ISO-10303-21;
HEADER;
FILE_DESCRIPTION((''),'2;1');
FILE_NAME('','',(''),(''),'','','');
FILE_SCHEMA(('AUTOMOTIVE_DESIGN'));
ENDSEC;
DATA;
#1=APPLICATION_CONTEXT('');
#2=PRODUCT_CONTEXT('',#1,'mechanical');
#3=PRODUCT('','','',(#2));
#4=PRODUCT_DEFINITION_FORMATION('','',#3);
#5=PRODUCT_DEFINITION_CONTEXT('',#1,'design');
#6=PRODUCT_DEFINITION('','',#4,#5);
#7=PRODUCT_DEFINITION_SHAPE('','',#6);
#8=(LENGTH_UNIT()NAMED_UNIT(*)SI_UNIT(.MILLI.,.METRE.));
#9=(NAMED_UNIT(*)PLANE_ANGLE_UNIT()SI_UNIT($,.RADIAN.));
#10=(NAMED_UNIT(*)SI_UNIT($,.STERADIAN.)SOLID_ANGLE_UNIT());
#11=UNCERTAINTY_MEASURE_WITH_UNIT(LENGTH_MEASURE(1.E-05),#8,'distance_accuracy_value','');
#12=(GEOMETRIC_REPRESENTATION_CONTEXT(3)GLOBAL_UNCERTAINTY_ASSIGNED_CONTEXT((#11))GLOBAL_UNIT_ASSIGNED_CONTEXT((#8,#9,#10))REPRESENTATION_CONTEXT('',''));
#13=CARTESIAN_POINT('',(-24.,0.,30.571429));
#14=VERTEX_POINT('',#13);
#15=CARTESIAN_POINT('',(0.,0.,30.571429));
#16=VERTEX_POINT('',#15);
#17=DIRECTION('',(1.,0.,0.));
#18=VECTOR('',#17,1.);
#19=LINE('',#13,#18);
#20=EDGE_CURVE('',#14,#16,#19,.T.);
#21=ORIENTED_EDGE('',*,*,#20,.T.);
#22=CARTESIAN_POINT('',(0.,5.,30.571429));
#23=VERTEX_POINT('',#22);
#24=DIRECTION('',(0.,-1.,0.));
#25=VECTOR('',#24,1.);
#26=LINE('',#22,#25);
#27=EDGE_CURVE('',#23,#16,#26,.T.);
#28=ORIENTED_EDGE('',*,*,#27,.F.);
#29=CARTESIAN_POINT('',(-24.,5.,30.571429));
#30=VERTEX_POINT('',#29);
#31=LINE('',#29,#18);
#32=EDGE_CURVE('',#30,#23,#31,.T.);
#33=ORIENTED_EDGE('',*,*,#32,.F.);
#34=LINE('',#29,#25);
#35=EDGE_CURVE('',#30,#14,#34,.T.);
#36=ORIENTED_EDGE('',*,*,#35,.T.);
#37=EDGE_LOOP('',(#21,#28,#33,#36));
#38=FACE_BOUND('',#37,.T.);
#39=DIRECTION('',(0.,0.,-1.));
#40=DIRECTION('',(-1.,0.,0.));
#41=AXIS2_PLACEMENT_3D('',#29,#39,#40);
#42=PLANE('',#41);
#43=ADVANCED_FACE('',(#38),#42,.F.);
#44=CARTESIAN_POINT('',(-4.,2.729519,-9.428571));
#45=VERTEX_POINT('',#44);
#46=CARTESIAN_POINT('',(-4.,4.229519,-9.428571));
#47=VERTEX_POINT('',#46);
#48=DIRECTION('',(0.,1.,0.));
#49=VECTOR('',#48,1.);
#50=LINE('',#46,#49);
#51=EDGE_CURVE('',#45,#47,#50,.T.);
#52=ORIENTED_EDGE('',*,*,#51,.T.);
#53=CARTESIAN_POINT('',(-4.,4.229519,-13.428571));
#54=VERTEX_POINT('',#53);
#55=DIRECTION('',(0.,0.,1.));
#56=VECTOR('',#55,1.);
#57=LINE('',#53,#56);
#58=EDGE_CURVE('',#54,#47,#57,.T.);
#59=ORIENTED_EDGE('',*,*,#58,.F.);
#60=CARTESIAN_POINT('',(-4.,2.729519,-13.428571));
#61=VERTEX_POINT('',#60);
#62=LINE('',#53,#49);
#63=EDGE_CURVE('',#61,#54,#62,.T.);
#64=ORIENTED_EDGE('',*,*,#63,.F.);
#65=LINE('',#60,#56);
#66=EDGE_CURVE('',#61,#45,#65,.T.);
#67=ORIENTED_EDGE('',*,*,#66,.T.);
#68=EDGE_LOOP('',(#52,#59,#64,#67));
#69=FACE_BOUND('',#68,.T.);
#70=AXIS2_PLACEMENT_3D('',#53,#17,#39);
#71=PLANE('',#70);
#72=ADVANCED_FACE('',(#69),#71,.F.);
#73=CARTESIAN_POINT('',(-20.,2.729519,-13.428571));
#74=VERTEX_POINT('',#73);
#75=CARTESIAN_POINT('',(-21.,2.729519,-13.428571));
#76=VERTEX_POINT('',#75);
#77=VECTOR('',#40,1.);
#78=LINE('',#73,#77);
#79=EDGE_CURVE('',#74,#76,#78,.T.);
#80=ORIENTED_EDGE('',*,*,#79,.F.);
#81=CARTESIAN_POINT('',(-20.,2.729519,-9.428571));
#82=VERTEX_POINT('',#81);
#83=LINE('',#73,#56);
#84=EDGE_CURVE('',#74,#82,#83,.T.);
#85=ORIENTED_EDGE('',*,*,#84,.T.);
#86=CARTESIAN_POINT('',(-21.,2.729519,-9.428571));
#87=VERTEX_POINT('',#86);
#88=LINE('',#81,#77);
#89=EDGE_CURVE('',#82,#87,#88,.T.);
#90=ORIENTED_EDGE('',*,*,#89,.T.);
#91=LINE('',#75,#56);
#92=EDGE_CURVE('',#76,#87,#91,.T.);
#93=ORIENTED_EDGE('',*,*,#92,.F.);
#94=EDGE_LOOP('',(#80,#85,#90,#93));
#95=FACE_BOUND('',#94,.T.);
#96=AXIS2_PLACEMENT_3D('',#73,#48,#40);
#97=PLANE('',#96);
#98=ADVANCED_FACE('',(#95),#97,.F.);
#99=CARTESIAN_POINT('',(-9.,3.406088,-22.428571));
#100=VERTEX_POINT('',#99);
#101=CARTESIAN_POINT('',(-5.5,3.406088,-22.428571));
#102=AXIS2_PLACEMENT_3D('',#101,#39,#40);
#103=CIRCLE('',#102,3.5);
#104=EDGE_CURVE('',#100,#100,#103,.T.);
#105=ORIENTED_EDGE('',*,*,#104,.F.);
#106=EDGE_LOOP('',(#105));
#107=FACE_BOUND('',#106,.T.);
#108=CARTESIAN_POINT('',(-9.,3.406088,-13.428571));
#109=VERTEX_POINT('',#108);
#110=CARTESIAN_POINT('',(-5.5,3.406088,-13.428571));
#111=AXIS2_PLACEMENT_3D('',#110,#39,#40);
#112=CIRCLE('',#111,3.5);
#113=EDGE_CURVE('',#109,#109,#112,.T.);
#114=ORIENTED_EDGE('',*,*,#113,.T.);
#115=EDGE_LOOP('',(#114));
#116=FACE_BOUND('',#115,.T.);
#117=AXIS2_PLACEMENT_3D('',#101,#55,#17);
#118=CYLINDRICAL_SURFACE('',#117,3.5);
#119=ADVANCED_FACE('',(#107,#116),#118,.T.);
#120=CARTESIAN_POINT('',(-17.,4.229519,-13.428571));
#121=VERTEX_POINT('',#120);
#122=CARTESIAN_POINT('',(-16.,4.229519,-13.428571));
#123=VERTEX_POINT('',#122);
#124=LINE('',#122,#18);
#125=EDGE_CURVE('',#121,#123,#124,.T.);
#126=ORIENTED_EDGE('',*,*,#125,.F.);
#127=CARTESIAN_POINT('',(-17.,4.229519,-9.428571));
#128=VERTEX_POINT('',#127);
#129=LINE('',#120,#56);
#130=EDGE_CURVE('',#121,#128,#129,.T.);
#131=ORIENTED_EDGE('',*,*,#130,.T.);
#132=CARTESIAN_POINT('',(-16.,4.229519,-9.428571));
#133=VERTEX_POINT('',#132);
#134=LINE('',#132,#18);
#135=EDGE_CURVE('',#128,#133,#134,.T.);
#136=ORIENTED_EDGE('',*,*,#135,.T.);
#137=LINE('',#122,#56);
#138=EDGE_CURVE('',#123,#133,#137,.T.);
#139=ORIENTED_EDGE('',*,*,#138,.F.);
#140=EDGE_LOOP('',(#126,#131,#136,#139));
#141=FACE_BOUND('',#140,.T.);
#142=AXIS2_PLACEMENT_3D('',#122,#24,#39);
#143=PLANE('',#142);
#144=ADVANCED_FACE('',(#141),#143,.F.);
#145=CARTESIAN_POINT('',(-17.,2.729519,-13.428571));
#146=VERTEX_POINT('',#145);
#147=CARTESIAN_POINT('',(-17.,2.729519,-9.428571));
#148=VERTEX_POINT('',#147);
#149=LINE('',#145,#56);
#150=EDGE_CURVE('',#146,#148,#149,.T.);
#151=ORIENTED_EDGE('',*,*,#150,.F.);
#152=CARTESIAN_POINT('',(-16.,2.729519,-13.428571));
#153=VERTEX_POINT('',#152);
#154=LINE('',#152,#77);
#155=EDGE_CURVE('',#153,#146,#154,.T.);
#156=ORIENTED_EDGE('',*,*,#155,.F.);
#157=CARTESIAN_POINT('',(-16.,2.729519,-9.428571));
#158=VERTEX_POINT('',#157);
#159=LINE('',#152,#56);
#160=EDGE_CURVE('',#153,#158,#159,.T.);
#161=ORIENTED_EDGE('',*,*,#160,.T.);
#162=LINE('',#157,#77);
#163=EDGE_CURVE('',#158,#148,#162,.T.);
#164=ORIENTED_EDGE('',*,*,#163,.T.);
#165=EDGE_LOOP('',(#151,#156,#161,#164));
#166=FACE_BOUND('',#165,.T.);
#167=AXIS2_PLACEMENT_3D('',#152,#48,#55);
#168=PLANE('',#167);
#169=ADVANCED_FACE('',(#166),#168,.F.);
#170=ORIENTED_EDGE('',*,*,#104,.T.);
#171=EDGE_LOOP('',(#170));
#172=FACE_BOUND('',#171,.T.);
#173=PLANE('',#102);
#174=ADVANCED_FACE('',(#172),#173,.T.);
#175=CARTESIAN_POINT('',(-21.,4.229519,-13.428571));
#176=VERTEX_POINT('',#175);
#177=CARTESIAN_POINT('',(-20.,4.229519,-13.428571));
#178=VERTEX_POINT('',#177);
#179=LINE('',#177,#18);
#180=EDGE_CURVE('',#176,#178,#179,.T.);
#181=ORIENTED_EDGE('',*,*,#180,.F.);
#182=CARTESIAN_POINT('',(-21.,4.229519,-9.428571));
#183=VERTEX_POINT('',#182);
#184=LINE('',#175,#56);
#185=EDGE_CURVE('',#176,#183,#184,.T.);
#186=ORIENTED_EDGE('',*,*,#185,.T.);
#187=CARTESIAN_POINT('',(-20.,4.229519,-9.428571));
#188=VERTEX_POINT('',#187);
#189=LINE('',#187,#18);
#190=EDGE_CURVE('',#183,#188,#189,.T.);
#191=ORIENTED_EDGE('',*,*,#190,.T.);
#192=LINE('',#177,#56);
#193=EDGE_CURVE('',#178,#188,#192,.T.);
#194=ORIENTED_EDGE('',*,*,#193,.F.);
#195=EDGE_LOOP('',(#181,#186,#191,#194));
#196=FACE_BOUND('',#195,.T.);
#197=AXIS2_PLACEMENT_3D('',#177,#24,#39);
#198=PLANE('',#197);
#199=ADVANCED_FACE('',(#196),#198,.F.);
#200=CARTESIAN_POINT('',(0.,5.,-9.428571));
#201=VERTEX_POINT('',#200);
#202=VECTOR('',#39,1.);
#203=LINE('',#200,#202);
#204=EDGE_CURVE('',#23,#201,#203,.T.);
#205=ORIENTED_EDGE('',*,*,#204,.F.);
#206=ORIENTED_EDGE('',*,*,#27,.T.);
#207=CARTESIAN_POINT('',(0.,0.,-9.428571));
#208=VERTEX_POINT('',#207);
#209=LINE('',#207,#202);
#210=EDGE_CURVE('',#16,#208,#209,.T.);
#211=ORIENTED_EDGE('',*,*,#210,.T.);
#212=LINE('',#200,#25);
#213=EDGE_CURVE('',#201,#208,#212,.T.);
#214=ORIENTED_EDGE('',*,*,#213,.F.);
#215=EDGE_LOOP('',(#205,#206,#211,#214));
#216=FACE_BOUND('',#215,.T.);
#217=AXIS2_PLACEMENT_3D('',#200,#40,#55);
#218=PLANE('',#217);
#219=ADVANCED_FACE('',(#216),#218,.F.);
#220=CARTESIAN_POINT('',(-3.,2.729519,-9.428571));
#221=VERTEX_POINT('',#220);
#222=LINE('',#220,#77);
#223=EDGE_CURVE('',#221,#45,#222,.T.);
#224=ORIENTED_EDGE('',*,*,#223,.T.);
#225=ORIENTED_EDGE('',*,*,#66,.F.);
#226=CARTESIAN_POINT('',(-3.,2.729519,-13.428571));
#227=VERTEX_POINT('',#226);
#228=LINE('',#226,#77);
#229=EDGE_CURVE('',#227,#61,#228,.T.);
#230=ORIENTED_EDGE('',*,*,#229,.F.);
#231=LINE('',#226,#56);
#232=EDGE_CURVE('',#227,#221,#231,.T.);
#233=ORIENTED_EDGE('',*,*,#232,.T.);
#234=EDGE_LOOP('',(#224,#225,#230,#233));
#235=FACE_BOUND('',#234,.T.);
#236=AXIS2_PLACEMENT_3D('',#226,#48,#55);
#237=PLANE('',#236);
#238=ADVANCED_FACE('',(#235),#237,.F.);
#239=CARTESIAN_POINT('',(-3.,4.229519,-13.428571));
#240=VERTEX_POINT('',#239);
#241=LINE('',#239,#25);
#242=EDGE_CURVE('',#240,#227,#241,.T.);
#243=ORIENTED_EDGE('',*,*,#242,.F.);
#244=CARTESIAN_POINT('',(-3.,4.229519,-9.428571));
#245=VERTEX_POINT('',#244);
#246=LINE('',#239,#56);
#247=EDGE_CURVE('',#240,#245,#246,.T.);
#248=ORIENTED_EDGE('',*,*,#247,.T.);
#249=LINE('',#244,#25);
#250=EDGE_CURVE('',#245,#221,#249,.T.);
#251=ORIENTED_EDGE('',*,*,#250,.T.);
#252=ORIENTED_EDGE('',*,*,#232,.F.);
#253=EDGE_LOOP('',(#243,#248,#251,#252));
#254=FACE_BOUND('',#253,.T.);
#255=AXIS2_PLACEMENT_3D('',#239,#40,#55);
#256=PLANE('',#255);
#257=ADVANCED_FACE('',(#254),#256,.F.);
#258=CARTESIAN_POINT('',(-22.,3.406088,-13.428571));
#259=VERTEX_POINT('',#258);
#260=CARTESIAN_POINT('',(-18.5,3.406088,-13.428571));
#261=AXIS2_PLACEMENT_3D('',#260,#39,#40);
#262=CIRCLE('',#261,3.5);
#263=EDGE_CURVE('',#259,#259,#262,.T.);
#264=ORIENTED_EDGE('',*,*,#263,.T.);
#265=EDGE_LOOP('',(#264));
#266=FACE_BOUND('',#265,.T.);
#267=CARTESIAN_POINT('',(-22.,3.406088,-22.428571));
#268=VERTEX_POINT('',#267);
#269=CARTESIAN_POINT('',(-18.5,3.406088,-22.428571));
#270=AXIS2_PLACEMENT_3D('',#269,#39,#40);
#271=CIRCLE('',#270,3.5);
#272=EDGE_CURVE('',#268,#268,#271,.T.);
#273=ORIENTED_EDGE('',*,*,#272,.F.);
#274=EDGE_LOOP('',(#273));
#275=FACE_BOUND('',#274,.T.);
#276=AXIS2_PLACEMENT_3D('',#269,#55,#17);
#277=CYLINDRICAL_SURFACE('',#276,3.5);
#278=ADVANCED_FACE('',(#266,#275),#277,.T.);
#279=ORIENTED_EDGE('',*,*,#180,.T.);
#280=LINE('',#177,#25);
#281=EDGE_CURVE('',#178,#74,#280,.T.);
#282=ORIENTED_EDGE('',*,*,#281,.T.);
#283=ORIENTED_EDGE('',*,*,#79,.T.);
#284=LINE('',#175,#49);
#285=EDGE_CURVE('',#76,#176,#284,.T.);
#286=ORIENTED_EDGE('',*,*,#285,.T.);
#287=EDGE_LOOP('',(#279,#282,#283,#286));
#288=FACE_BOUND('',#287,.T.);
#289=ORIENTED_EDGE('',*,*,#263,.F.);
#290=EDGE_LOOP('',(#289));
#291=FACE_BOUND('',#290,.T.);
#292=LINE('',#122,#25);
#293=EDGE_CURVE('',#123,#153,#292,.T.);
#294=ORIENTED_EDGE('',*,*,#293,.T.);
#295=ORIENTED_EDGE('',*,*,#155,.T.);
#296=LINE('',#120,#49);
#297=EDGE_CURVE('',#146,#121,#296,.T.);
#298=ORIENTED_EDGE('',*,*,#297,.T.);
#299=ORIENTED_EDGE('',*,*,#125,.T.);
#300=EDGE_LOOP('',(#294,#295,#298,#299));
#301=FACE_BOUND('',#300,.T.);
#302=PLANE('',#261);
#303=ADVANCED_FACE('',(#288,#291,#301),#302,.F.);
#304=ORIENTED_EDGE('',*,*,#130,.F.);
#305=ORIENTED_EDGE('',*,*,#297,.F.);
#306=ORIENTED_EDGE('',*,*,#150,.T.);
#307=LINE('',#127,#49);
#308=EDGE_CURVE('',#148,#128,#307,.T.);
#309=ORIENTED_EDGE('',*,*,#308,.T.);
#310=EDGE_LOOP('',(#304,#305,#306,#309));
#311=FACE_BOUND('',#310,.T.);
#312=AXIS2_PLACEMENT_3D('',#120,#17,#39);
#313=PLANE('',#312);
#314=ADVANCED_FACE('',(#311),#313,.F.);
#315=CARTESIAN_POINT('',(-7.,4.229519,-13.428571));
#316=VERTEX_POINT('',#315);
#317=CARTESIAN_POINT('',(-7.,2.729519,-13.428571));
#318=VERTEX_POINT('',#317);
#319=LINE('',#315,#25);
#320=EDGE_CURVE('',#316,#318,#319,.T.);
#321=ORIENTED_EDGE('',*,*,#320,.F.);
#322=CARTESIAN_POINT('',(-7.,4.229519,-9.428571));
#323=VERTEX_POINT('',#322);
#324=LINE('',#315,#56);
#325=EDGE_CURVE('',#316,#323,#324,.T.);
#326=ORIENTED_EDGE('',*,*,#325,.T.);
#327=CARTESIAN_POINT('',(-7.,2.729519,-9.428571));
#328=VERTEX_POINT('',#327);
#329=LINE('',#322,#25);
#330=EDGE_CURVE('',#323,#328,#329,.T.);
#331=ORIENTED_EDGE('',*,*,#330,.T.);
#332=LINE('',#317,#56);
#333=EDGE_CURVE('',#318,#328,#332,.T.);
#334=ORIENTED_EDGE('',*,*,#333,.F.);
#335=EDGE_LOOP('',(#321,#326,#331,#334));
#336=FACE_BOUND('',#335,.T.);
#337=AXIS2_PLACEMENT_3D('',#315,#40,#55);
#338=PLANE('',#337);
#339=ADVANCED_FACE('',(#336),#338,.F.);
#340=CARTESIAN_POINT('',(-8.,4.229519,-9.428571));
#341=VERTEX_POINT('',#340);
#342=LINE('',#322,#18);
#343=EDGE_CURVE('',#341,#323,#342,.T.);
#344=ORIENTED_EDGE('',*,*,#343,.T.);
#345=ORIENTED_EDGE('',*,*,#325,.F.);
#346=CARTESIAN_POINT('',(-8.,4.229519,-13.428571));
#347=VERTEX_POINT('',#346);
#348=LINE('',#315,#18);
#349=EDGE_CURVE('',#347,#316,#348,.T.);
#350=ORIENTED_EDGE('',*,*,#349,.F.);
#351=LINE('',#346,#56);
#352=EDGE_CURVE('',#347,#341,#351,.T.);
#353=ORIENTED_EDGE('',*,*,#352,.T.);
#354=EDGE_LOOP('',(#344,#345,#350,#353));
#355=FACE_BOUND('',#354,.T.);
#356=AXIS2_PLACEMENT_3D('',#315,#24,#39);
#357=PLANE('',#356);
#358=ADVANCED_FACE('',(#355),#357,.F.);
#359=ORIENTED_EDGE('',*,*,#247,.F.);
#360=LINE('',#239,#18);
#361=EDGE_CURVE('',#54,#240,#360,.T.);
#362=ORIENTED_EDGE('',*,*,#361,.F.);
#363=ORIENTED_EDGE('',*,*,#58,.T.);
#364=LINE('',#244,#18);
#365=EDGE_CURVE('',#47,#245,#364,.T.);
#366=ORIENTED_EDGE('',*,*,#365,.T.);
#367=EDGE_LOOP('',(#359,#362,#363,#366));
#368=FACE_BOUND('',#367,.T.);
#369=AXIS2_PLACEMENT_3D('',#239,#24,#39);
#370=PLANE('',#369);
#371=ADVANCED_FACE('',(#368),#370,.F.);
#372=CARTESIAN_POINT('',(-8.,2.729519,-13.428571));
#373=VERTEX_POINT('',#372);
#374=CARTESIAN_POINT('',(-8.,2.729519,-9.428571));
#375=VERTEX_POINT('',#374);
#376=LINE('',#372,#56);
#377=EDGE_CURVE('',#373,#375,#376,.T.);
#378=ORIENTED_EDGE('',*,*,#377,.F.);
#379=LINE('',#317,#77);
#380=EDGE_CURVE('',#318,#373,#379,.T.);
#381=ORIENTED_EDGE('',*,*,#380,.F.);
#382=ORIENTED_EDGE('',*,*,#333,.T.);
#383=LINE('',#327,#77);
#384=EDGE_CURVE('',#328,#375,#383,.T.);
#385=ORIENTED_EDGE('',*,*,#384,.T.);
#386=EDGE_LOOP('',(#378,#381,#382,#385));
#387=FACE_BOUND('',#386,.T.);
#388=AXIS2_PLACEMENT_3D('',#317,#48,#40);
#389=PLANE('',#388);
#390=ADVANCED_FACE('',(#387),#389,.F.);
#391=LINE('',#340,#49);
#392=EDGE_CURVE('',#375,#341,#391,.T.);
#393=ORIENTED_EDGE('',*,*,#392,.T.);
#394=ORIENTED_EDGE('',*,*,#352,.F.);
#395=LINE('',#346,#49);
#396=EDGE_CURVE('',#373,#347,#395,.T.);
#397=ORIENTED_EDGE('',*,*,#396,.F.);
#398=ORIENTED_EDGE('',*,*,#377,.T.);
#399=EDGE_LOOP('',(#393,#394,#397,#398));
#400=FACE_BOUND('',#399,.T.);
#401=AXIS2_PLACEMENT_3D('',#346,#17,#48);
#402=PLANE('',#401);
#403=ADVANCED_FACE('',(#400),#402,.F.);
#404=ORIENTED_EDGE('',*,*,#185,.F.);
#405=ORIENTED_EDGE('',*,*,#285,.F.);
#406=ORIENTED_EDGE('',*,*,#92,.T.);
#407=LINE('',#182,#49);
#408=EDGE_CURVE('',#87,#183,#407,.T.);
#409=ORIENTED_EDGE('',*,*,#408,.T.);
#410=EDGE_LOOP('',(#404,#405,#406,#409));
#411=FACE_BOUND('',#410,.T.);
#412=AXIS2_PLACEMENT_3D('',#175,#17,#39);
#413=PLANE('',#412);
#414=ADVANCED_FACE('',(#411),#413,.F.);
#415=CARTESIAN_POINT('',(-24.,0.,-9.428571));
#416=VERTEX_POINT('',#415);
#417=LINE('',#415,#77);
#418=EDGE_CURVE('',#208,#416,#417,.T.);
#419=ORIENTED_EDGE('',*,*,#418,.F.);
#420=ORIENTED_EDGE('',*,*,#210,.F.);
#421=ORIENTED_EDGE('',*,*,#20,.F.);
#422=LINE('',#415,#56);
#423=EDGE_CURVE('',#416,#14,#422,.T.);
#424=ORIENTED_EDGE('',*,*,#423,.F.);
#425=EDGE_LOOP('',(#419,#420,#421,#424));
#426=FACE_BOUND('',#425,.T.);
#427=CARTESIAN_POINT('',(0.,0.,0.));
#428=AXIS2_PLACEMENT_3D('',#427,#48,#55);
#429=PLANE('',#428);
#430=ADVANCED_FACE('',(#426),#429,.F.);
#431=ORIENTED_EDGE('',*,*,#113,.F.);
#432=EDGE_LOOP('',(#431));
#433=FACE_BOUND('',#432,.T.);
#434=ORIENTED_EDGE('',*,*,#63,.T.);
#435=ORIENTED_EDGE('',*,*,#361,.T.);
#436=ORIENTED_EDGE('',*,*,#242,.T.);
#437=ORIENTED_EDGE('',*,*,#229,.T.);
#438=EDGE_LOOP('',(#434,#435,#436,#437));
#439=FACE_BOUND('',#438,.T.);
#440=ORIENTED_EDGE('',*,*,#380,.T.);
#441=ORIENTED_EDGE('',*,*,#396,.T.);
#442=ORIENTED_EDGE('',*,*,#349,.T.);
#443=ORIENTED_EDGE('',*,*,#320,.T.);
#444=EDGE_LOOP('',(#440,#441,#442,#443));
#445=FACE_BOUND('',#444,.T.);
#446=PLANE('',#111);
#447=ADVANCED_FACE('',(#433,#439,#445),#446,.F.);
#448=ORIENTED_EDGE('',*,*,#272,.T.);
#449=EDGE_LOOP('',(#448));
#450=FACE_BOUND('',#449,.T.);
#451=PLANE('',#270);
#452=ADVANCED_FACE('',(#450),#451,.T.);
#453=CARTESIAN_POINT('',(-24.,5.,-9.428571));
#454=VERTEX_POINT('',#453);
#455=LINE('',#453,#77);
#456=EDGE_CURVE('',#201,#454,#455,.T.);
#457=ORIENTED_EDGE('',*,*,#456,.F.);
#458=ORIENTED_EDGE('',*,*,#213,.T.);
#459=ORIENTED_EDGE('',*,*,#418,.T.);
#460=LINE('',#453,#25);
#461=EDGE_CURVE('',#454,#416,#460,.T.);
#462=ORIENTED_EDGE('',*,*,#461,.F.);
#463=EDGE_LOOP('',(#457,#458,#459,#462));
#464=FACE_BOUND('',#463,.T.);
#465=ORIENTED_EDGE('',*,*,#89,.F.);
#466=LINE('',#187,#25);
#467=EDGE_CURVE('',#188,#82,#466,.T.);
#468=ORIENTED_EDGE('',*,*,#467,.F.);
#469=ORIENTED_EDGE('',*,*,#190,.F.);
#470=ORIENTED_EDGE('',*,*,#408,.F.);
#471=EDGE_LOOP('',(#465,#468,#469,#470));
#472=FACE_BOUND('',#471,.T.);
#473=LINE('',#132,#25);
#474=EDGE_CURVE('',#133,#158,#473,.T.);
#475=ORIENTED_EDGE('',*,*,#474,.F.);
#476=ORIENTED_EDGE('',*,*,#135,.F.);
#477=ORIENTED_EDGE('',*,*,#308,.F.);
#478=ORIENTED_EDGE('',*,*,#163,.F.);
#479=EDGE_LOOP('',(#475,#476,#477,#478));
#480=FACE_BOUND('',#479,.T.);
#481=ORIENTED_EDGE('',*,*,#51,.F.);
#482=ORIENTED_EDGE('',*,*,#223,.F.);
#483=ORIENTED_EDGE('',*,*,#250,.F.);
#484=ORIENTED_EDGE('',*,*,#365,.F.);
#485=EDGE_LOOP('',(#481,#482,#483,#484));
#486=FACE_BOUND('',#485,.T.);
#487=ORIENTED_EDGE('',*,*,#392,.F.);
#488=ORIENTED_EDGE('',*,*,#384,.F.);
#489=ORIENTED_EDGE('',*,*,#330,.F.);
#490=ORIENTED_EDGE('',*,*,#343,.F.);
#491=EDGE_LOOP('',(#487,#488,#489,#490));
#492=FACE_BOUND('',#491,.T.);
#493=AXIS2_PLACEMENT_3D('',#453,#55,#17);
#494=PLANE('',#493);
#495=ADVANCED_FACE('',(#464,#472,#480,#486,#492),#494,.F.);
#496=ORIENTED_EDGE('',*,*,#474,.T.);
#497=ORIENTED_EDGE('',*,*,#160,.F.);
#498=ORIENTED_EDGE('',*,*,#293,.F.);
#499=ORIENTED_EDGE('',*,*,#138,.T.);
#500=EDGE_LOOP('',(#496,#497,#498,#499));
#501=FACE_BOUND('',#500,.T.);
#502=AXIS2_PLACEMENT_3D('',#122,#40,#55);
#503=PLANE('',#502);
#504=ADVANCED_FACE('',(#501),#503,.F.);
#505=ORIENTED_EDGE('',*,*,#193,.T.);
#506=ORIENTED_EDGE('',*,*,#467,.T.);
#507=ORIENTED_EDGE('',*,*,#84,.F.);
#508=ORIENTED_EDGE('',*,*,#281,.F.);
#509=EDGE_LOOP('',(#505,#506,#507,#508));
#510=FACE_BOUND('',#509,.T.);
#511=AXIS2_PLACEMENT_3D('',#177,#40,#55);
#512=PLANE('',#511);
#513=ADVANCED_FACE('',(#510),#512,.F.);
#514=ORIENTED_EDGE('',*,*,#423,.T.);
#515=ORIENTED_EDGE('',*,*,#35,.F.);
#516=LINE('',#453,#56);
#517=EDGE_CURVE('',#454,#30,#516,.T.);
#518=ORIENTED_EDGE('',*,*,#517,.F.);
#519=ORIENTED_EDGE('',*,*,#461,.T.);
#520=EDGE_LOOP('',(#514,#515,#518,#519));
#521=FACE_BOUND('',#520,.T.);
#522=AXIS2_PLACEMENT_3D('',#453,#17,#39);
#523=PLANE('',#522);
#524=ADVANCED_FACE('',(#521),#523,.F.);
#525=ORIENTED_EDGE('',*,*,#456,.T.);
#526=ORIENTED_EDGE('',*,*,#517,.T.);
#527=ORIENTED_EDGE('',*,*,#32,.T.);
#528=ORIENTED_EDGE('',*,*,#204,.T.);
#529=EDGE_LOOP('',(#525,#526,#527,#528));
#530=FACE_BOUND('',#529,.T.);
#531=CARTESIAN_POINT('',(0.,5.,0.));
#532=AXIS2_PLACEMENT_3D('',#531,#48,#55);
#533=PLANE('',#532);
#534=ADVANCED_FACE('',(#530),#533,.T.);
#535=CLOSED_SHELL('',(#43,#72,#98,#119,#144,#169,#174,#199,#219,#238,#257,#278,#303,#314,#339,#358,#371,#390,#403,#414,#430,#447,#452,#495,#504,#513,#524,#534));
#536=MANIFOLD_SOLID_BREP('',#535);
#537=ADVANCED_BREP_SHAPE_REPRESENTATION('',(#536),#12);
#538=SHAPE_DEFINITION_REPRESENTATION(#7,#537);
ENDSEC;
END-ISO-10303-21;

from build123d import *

# Parameters (mm, degrees)
SKETCH1_W           = 24
SKETCH1_H           = 40
BOSS_EXTRUDE1_DEPTH = 5
SKETCH2_W           = 1
SKETCH2_H           = 1.5
BOSS_EXTRUDE2_DEPTH = 4
SKETCH4_R           = 3.5
BOSS_EXTRUDE4_DEPTH = 9


with BuildPart() as part:
    # Sketch1 → Boss-Extrude1 (new body)
    with BuildSketch(Plane(origin=(0, 0, 0), x_dir=(1, 0, 0), z_dir=(0, 1, 0))):
        with Locations((-12, -10.571428571)):
            Rectangle(SKETCH1_W, SKETCH1_H)
    extrude(amount=BOSS_EXTRUDE1_DEPTH)

    # Sketch2 → Boss-Extrude2 (add)
    with BuildSketch(Plane(origin=(0, 0, -9.428571429), x_dir=(-1, 0, 0), z_dir=(0, 0, -1))):
        with Locations((3.5, 3.479518838)):
            Rectangle(SKETCH2_W, SKETCH2_H)
        with Locations((7.5, 3.479518838)):
            Rectangle(SKETCH2_W, SKETCH2_H)
        with Locations((16.5, 3.479518838)):
            Rectangle(SKETCH2_W, SKETCH2_H)
        with Locations((20.5, 3.479518838)):
            Rectangle(SKETCH2_W, SKETCH2_H)
    extrude(amount=BOSS_EXTRUDE2_DEPTH)

    # Sketch4 → Boss-Extrude4 (add)
    with BuildSketch(Plane(origin=(0, 0, -13.428571429), x_dir=(-1, 0, 0), z_dir=(0, 0, -1))):
        with Locations((5.5, 3.40608753)):
            Circle(SKETCH4_R)
        with Locations((18.5, 3.40608753)):
            Circle(SKETCH4_R)
    extrude(amount=BOSS_EXTRUDE4_DEPTH)


solid = part.part
